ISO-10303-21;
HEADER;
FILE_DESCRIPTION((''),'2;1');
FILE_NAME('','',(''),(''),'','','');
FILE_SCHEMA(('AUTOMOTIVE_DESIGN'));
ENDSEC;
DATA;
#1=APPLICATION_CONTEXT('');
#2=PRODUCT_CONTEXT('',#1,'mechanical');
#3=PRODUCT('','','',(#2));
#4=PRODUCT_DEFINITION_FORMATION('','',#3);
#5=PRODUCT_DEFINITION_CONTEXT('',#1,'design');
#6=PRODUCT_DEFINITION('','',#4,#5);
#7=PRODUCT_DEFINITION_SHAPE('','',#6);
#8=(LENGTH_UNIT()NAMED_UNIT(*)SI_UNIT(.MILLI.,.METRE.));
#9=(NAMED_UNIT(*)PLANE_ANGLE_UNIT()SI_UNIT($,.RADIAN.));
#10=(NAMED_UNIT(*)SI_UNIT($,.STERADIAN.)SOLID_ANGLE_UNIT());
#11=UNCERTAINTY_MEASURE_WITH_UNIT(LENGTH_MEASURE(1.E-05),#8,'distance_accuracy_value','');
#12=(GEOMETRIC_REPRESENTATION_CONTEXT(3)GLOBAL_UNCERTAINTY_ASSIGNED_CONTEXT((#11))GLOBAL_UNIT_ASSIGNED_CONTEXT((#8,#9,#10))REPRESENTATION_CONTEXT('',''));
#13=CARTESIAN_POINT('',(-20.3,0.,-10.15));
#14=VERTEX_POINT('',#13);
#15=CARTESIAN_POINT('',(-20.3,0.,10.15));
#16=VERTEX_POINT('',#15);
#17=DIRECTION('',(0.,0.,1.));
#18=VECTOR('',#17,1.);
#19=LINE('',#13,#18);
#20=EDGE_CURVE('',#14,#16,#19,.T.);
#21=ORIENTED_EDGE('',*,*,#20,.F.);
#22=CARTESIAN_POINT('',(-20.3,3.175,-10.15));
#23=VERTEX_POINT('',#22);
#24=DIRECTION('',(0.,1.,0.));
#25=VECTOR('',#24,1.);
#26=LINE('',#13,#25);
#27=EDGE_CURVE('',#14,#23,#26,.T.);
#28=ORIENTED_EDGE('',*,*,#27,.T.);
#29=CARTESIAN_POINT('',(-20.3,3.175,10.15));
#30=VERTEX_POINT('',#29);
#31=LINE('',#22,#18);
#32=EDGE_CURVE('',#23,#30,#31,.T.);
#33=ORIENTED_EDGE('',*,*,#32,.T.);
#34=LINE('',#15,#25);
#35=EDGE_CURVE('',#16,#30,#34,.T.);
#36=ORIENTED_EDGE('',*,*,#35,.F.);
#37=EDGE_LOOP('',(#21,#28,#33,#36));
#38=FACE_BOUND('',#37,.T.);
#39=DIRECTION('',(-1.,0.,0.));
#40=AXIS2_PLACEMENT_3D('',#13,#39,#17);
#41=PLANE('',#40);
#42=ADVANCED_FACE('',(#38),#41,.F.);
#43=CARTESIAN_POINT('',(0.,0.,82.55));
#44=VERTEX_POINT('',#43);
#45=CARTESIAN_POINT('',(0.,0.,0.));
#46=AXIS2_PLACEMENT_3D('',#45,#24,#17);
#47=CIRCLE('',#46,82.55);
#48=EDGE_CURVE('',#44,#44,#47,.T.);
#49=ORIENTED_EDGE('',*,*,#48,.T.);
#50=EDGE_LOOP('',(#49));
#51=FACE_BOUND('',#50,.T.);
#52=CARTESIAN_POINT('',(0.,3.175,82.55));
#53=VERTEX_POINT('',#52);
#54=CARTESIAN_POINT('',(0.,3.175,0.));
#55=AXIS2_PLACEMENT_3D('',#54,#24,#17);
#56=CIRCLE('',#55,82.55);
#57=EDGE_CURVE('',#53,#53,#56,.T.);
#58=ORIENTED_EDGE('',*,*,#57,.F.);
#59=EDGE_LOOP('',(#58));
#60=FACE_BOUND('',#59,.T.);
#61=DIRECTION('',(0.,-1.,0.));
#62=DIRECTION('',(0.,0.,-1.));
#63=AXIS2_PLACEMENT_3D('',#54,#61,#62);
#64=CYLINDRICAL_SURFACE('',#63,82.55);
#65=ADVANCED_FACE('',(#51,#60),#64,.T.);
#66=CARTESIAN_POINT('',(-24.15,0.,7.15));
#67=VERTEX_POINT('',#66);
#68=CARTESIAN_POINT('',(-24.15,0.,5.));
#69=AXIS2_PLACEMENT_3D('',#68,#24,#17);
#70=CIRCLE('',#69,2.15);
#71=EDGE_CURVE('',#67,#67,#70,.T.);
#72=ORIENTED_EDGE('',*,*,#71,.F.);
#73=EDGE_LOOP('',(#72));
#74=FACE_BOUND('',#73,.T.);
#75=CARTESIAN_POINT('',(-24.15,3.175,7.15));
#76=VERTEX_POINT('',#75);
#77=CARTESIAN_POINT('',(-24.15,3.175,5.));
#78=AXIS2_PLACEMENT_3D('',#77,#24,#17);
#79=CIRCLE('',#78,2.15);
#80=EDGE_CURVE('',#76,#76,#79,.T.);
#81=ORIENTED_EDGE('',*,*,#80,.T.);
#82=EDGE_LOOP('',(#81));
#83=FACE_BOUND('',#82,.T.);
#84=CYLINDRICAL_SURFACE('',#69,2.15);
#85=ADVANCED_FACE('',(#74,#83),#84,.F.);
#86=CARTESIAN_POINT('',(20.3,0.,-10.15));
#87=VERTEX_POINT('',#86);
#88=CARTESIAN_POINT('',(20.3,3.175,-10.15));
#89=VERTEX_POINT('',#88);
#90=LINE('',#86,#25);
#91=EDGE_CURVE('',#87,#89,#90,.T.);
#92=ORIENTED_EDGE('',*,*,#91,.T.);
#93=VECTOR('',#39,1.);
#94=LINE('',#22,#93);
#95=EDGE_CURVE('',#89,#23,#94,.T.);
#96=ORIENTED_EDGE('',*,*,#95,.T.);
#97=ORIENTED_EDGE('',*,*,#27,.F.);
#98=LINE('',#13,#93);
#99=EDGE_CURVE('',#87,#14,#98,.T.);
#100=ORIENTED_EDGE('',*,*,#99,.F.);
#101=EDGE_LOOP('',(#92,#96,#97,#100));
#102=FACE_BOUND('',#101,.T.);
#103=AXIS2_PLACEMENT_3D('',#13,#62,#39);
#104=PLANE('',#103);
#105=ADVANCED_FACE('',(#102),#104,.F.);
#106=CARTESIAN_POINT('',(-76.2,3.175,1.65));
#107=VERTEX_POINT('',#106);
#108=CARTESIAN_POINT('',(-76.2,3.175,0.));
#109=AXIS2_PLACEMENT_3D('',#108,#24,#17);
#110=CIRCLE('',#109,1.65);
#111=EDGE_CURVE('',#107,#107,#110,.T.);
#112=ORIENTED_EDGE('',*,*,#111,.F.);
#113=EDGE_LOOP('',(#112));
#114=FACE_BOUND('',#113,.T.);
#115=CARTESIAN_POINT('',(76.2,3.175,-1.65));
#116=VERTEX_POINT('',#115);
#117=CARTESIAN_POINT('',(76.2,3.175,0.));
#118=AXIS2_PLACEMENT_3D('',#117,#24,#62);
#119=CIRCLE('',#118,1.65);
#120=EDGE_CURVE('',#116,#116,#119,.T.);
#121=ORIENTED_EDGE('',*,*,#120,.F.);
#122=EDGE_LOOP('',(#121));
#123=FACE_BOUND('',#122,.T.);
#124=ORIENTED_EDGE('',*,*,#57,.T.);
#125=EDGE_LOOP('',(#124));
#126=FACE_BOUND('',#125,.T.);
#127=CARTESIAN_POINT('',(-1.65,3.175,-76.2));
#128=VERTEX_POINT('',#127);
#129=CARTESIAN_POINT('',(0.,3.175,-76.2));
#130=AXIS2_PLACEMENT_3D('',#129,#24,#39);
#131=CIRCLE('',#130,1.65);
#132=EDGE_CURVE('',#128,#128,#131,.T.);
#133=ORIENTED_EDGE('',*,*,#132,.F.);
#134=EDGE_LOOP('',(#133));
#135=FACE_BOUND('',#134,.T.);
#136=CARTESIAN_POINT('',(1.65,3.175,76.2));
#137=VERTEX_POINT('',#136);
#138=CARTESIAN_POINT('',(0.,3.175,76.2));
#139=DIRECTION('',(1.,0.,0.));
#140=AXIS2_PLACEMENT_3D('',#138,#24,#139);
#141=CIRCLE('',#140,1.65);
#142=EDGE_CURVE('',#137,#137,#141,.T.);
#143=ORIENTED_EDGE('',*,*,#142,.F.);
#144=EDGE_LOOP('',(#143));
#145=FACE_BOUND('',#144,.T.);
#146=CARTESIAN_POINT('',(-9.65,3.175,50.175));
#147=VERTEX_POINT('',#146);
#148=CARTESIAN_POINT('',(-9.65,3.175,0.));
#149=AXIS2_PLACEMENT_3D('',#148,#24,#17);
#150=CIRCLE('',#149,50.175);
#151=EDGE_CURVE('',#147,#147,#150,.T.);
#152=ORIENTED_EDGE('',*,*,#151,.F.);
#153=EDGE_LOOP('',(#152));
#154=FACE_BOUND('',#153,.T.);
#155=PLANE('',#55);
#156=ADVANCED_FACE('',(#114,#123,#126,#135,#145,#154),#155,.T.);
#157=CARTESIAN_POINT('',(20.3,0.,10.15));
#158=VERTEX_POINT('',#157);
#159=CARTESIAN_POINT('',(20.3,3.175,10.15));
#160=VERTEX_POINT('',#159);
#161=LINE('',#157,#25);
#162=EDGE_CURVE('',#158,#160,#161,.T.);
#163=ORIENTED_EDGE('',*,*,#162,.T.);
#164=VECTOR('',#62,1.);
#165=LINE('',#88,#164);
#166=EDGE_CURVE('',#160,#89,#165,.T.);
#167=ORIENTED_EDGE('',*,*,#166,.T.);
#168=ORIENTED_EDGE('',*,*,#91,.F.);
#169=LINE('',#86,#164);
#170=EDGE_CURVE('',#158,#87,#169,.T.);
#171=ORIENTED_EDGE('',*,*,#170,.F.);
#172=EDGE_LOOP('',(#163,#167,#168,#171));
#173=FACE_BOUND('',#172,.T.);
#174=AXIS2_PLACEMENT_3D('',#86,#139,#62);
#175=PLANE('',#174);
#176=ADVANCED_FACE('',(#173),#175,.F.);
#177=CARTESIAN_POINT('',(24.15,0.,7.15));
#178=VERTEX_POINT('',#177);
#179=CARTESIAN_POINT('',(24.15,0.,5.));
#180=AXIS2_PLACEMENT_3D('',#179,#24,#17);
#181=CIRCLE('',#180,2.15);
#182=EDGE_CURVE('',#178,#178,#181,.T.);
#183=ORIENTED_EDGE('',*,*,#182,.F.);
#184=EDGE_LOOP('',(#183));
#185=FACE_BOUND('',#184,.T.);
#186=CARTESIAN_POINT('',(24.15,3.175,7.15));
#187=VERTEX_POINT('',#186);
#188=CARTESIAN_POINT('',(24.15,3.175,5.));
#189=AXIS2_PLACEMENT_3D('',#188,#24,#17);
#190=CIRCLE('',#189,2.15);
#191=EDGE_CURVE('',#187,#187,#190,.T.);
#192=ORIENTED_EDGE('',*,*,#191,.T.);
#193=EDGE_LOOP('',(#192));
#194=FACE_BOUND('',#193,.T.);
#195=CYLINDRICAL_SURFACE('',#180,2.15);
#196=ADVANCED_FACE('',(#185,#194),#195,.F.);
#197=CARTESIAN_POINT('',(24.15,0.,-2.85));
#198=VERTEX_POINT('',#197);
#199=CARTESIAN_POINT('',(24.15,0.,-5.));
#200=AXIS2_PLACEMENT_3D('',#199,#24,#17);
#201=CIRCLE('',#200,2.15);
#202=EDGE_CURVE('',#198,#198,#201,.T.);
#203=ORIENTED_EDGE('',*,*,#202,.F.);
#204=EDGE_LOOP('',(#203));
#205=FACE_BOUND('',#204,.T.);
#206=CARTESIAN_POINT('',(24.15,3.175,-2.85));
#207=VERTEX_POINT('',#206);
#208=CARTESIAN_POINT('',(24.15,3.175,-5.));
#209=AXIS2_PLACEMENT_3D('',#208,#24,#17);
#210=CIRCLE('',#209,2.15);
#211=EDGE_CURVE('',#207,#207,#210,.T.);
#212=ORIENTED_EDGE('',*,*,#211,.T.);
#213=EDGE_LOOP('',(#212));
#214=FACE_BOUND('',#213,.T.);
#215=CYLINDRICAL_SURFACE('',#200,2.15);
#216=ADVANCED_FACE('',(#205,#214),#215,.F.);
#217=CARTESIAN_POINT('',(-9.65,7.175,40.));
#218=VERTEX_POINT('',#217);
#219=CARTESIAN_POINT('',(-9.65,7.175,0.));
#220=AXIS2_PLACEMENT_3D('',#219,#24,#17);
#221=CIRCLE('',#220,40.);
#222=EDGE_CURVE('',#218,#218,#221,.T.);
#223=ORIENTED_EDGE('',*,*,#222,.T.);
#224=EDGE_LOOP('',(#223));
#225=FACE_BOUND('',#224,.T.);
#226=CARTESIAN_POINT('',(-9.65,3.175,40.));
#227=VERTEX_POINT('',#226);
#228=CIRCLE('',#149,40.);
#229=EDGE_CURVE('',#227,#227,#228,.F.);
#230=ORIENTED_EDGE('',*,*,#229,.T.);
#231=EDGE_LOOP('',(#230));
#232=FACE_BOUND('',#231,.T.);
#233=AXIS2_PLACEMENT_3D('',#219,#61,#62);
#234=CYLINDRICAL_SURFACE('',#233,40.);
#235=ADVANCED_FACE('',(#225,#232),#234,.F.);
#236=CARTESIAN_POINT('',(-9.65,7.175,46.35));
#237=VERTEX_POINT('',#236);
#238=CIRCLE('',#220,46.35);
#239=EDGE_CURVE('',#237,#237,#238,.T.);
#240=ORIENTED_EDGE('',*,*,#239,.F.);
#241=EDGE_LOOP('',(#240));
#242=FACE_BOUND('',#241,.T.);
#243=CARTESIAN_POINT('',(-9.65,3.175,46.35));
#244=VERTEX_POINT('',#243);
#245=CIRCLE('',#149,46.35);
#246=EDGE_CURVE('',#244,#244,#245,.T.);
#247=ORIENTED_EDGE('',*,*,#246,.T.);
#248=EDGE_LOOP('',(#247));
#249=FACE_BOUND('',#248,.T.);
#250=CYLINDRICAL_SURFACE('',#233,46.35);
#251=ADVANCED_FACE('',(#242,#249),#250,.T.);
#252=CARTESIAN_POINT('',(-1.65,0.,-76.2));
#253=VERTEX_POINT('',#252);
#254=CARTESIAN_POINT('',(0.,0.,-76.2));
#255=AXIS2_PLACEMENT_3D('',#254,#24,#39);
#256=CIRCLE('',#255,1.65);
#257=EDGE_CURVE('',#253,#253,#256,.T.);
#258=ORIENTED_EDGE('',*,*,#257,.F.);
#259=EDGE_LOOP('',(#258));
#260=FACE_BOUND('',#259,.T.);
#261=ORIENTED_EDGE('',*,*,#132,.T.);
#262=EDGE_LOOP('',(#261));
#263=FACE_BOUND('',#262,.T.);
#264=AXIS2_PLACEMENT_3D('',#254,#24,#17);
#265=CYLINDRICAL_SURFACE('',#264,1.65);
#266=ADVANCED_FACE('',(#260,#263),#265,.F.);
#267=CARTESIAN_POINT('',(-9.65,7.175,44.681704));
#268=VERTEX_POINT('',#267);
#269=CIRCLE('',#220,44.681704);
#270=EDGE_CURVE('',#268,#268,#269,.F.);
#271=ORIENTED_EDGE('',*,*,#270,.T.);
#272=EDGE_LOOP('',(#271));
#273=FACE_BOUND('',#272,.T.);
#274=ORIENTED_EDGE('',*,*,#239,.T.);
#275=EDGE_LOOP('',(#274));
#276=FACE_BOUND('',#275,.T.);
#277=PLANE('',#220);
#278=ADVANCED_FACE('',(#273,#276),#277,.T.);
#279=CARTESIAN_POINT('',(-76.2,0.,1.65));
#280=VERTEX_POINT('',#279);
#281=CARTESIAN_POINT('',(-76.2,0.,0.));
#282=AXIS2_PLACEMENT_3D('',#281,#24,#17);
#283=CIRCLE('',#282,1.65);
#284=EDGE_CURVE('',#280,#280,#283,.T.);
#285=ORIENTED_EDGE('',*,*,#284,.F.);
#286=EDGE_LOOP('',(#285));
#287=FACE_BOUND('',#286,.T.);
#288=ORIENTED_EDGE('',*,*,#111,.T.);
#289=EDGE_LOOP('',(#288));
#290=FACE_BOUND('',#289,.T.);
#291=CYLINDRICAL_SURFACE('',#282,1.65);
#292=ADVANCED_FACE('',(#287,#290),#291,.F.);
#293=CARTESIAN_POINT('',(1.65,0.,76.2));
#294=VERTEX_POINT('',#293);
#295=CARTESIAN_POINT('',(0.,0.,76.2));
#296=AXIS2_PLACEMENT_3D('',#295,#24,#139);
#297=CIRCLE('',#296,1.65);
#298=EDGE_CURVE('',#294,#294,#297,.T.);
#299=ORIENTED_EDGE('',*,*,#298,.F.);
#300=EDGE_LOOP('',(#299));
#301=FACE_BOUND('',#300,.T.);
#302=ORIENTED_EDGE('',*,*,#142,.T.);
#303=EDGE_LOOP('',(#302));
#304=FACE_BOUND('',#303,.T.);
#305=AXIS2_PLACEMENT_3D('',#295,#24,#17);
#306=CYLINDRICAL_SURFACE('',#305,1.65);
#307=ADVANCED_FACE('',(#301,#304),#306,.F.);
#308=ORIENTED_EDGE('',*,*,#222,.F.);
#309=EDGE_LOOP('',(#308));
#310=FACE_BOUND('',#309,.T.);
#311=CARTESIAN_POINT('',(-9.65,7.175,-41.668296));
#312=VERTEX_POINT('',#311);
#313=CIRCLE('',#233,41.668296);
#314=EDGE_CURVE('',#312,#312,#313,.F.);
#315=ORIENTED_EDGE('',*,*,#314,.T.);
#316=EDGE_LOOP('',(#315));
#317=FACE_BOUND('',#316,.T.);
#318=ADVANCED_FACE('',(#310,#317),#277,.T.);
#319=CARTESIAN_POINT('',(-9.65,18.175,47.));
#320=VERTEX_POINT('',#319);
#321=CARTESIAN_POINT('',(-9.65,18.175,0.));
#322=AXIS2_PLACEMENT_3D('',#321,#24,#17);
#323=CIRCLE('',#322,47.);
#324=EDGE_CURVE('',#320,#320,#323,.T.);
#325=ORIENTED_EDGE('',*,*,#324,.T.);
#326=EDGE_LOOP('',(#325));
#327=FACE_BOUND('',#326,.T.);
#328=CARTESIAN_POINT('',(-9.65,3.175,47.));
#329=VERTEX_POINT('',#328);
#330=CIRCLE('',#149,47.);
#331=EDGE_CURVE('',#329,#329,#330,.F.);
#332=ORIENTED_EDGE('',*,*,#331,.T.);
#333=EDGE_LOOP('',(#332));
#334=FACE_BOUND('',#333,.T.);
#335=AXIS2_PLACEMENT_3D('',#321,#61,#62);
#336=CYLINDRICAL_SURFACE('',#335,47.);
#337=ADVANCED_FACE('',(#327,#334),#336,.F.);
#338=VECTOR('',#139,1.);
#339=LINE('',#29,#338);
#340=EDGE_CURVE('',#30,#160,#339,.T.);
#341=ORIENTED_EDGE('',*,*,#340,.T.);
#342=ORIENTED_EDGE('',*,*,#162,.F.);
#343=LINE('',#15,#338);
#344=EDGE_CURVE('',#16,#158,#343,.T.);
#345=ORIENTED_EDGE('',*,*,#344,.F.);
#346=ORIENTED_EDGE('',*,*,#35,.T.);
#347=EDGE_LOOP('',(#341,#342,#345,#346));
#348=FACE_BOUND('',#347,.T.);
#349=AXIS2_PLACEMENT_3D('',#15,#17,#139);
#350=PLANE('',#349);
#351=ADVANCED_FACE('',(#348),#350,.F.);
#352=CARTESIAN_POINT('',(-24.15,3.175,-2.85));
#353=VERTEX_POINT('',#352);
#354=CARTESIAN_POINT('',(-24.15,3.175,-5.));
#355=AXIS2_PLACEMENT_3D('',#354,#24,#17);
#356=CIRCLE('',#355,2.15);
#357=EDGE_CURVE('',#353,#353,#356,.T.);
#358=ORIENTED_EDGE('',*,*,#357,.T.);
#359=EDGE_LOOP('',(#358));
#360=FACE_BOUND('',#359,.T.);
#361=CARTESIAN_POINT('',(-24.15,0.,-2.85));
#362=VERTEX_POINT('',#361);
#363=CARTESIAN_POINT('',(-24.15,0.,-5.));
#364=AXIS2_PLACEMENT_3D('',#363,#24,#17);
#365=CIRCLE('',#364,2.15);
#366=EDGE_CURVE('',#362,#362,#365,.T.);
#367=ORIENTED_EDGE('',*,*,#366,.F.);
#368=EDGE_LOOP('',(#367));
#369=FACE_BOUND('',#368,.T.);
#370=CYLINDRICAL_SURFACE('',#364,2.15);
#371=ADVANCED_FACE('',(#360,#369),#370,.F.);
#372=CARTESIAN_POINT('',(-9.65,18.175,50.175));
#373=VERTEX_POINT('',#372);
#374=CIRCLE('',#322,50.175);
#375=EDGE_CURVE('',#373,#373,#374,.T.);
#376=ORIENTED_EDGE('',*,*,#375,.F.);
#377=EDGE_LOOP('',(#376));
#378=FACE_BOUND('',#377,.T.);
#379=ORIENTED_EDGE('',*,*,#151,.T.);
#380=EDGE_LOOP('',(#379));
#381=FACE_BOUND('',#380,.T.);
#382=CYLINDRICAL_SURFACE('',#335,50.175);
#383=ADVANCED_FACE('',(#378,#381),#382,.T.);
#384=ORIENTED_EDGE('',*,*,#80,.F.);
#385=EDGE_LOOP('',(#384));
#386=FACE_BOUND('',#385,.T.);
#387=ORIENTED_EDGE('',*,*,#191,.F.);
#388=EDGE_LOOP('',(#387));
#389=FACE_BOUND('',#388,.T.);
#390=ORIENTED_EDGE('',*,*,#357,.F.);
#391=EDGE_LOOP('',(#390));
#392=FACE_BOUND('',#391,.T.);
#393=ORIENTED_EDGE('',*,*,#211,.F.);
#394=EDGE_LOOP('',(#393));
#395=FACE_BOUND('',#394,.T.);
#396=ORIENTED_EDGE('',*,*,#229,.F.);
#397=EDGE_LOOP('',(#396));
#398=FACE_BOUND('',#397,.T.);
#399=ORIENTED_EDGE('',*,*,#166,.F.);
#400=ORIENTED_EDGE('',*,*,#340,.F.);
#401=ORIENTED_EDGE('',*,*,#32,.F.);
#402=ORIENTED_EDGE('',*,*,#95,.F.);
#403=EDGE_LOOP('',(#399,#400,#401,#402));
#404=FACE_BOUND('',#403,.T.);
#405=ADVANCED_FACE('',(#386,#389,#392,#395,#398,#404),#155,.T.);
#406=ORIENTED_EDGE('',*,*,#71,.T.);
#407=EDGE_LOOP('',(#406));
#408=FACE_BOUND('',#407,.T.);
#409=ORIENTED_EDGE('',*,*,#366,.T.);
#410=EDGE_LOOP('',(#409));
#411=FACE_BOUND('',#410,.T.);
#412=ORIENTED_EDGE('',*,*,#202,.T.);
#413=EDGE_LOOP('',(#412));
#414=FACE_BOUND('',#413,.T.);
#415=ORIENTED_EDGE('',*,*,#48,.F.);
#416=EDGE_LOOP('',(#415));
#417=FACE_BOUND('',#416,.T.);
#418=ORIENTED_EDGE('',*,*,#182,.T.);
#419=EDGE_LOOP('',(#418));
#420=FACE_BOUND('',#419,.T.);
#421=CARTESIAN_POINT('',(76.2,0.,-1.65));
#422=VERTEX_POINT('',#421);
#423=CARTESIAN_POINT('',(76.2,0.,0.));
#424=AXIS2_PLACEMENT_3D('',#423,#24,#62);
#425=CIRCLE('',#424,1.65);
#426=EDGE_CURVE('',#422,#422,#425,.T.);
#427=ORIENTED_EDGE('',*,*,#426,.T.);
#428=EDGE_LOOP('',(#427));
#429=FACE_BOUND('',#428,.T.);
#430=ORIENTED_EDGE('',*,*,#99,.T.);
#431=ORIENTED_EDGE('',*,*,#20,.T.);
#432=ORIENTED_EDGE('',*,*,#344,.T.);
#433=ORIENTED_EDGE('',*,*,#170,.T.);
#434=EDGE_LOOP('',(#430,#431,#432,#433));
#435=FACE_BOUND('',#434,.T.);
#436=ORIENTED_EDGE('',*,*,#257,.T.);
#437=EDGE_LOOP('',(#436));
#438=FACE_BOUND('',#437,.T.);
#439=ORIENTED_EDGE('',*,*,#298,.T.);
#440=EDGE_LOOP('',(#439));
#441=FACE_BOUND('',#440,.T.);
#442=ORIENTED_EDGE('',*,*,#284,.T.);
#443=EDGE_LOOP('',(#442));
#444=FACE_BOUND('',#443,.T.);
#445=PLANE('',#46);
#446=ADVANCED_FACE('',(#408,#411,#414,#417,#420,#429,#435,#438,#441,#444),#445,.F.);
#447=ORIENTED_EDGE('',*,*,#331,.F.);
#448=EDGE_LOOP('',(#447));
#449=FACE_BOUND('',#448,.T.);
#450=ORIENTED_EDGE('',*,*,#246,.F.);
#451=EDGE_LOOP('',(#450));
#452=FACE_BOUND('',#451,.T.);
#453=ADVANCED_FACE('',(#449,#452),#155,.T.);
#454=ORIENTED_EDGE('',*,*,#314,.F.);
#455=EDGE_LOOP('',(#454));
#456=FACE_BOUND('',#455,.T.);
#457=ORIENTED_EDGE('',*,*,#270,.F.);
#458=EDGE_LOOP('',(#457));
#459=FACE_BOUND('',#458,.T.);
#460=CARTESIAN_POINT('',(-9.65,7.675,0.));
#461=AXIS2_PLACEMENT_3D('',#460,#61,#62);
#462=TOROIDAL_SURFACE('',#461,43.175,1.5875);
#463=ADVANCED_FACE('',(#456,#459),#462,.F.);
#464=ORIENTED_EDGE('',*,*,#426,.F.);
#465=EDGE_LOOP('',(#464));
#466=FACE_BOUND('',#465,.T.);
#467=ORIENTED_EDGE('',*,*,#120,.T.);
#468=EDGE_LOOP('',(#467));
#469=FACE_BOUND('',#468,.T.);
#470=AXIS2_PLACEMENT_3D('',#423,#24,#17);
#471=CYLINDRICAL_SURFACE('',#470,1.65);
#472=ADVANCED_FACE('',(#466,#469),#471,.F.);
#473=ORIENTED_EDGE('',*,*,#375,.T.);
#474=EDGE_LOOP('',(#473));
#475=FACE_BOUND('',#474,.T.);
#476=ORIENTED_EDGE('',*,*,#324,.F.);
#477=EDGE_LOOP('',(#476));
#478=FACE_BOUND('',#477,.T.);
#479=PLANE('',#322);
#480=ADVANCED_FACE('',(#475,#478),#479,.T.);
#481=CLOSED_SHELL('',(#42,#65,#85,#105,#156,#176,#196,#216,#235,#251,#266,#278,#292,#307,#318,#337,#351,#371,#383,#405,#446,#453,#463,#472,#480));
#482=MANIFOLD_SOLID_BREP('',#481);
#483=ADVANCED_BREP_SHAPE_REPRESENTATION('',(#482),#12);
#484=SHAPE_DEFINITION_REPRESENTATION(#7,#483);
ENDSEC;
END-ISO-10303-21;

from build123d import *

# Parameters (mm, degrees)
SKETCH1_R           = 82.55
BOSS_EXTRUDE1_DEPTH = 3.175
SKETCH2_R           = 2.15
SKETCH2_W           = 40.6
SKETCH2_H           = 20.3
CUT_EXTRUDE1_DEPTH  = 3.175
SKETCH3_R           = 1.65
CUT_EXTRUDE2_DEPTH  = 3.175
CIRPATTERN1_COUNT   = 4
SKETCH4_R           = 46.35
SKETCH4_R_2         = 40
BOSS_EXTRUDE2_DEPTH = 4
SKETCH7_R           = 1.5875
SKETCH8_R           = 50.175
SKETCH8_R_2         = 47
BOSS_EXTRUDE3_DEPTH = 15


with BuildPart() as part:
    # Sketch1 → Boss-Extrude1 (new body)
    with BuildSketch(Plane(origin=(0, 0, 0), x_dir=(1, 0, 0), z_dir=(0, 1, 0))):
        with Locations(Location((0, 0, 0), (0, 0, 270))):
            Circle(SKETCH1_R)
    extrude(amount=BOSS_EXTRUDE1_DEPTH)

    # Sketch2 → Cut-Extrude1 (cut)
    with BuildSketch(Plane(origin=(0, 3.175, 0), x_dir=(1, 0, 0), z_dir=(0, 1, 0))):
        with Locations(Location((-24.15, 5, 0), (0, 0, 270))):
            Circle(SKETCH2_R)
        with Locations(Location((-24.15, -5, 0), (0, 0, 270))):
            Circle(SKETCH2_R)
        with Locations(Location((24.15, 5, 0), (0, 0, 270))):
            Circle(SKETCH2_R)
        with Locations(Location((24.15, -5, 0), (0, 0, 270))):
            Circle(SKETCH2_R)
        Rectangle(SKETCH2_W, SKETCH2_H)
    extrude(amount=-CUT_EXTRUDE1_DEPTH, mode=Mode.SUBTRACT)

    # Sketch3 → Cut-Extrude2 (cut)
    with BuildSketch(Plane(origin=(0, 3.175, 0), x_dir=(1, 0, 0), z_dir=(0, 1, 0))):
        with Locations(Location((-76.2, 0, 0), (0, 0, 270))):
            Circle(SKETCH3_R)
    cut_extrude2 = extrude(amount=-CUT_EXTRUDE2_DEPTH, mode=Mode.SUBTRACT)

    # CirPattern1: Cut-Extrude2 ×4 about axis
    cirpattern1_axis = Axis((0, 0, 0), (0, 1, 0))
    for i in range(1, CIRPATTERN1_COUNT):
        add(cut_extrude2.rotate(cirpattern1_axis, i * 360 / CIRPATTERN1_COUNT), mode=Mode.SUBTRACT)

    # Sketch4 → Boss-Extrude2 (add)
    with BuildSketch(Plane(origin=(0, 3.175, 0), x_dir=(1, 0, 0), z_dir=(0, 1, 0))):
        with Locations(Location((-9.65, 0, 0), (0, 0, 270))):
            Circle(SKETCH4_R)
        with Locations(Location((-9.65, 0, 0), (0, 0, 270))):
            Circle(SKETCH4_R_2, mode=Mode.SUBTRACT)
    extrude(amount=BOSS_EXTRUDE2_DEPTH)

    # Sketch7 → Cut-Revolve1 (revolve, cut)
    with BuildSketch(Plane.XY, mode=Mode.PRIVATE) as cut_revolve1_sk:
        with Locations((-52.825, 7.675)):
            Circle(SKETCH7_R)
    revolve(cut_revolve1_sk.sketch.rotate(Axis((-9.65, 3.175, 0), (0, 1, 0)), 270), axis=Axis((-9.65, 3.175, 0), (0, 1, 0)), mode=Mode.SUBTRACT)

    # Sketch8 → Boss-Extrude3 (add)
    with BuildSketch(Plane(origin=(0, 3.175, 0), x_dir=(1, 0, 0), z_dir=(0, 1, 0))):
        with Locations(Location((-9.65, 0, 0), (0, 0, 270))):
            Circle(SKETCH8_R)
        with Locations(Location((-9.65, 0, 0), (0, 0, 270))):
            Circle(SKETCH8_R_2, mode=Mode.SUBTRACT)
    extrude(amount=BOSS_EXTRUDE3_DEPTH)


solid = part.part
